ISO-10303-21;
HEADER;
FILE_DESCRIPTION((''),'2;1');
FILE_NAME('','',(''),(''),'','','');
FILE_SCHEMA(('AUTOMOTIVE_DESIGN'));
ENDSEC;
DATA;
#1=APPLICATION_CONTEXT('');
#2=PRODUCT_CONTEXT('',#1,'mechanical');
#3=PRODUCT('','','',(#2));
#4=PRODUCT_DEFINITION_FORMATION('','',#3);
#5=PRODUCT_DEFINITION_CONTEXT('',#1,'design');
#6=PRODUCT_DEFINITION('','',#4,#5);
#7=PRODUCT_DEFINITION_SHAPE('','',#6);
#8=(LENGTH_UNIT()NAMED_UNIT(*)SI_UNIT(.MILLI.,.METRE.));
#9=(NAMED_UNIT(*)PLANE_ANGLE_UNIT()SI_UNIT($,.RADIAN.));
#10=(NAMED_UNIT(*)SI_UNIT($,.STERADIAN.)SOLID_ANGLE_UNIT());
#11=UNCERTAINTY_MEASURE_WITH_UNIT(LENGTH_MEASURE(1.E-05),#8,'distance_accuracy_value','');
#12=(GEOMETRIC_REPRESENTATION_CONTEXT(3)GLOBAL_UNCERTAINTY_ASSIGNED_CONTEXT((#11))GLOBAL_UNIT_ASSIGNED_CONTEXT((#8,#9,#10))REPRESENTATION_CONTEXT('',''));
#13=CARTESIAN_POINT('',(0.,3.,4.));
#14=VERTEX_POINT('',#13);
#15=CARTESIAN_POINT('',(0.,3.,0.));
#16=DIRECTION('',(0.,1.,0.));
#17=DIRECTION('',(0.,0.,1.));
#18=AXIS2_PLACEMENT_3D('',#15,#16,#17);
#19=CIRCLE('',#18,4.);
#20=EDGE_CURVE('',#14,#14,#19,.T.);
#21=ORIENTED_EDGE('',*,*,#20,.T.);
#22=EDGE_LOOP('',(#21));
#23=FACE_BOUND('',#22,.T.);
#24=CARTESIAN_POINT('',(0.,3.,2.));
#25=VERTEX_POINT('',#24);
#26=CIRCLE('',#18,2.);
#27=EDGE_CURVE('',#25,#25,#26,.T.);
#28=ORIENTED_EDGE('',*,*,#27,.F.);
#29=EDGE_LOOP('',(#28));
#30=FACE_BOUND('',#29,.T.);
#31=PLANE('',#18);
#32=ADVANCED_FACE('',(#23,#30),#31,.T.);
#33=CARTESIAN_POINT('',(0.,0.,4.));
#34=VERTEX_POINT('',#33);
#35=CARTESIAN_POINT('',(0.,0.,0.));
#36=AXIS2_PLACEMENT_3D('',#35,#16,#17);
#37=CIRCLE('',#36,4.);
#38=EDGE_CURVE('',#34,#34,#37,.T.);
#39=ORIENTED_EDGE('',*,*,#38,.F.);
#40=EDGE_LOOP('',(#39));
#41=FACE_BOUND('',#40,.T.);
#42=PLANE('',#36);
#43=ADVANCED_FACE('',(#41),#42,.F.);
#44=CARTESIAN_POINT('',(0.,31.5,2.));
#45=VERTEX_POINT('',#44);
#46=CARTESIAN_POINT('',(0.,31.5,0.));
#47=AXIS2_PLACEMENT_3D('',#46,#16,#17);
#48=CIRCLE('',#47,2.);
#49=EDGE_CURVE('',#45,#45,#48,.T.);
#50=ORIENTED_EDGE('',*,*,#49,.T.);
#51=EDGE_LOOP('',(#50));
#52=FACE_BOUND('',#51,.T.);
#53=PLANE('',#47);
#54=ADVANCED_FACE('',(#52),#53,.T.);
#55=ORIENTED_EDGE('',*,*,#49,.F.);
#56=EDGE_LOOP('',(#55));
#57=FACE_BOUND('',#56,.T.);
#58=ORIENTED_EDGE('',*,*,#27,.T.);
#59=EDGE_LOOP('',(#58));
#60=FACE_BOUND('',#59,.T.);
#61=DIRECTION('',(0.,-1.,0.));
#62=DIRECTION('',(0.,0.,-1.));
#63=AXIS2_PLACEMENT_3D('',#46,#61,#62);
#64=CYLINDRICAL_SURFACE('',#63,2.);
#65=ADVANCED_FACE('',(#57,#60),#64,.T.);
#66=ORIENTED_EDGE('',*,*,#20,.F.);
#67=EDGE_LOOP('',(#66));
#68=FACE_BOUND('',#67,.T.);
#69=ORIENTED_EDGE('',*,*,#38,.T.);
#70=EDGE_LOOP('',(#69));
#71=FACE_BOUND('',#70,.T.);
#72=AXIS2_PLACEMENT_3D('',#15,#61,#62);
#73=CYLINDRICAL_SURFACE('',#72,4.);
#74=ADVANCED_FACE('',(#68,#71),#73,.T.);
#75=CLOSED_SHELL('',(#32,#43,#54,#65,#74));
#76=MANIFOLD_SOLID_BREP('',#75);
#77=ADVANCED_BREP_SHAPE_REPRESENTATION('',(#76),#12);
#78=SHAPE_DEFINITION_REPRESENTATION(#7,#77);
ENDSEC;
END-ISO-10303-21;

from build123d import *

# Parameters (mm, degrees)
ESQUISSE1_R        = 4
ESQUISSE1_R_2      = 2
BOSS_EXTRU_1_DEPTH = 3
ESQUISSE1_4_R      = 2
BOSS_EXTRU_3_DEPTH = 31.5


with BuildPart() as part:
    # Esquisse1 → Boss.-Extru.1 (new body)
    with BuildSketch(Plane(origin=(0, 0, 0), x_dir=(1, 0, 0), z_dir=(0, 1, 0))):
        with Locations(Location((0, 0, 0), (0, 0, 270))):
            Circle(ESQUISSE1_R)
        with Locations(Location((0, 0, 0), (0, 0, 270))):
            Circle(ESQUISSE1_R_2, mode=Mode.SUBTRACT)
    extrude(amount=BOSS_EXTRU_1_DEPTH)

    # Esquisse1<4> → Boss.-Extru.3 (add)
    with BuildSketch(Plane(origin=(0, 0, 0), x_dir=(1, 0, 0), z_dir=(0, 1, 0))):
        with Locations(Location((0, 0, 0), (0, 0, 270))):
            Circle(ESQUISSE1_4_R)
    extrude(amount=BOSS_EXTRU_3_DEPTH)


solid = part.part
